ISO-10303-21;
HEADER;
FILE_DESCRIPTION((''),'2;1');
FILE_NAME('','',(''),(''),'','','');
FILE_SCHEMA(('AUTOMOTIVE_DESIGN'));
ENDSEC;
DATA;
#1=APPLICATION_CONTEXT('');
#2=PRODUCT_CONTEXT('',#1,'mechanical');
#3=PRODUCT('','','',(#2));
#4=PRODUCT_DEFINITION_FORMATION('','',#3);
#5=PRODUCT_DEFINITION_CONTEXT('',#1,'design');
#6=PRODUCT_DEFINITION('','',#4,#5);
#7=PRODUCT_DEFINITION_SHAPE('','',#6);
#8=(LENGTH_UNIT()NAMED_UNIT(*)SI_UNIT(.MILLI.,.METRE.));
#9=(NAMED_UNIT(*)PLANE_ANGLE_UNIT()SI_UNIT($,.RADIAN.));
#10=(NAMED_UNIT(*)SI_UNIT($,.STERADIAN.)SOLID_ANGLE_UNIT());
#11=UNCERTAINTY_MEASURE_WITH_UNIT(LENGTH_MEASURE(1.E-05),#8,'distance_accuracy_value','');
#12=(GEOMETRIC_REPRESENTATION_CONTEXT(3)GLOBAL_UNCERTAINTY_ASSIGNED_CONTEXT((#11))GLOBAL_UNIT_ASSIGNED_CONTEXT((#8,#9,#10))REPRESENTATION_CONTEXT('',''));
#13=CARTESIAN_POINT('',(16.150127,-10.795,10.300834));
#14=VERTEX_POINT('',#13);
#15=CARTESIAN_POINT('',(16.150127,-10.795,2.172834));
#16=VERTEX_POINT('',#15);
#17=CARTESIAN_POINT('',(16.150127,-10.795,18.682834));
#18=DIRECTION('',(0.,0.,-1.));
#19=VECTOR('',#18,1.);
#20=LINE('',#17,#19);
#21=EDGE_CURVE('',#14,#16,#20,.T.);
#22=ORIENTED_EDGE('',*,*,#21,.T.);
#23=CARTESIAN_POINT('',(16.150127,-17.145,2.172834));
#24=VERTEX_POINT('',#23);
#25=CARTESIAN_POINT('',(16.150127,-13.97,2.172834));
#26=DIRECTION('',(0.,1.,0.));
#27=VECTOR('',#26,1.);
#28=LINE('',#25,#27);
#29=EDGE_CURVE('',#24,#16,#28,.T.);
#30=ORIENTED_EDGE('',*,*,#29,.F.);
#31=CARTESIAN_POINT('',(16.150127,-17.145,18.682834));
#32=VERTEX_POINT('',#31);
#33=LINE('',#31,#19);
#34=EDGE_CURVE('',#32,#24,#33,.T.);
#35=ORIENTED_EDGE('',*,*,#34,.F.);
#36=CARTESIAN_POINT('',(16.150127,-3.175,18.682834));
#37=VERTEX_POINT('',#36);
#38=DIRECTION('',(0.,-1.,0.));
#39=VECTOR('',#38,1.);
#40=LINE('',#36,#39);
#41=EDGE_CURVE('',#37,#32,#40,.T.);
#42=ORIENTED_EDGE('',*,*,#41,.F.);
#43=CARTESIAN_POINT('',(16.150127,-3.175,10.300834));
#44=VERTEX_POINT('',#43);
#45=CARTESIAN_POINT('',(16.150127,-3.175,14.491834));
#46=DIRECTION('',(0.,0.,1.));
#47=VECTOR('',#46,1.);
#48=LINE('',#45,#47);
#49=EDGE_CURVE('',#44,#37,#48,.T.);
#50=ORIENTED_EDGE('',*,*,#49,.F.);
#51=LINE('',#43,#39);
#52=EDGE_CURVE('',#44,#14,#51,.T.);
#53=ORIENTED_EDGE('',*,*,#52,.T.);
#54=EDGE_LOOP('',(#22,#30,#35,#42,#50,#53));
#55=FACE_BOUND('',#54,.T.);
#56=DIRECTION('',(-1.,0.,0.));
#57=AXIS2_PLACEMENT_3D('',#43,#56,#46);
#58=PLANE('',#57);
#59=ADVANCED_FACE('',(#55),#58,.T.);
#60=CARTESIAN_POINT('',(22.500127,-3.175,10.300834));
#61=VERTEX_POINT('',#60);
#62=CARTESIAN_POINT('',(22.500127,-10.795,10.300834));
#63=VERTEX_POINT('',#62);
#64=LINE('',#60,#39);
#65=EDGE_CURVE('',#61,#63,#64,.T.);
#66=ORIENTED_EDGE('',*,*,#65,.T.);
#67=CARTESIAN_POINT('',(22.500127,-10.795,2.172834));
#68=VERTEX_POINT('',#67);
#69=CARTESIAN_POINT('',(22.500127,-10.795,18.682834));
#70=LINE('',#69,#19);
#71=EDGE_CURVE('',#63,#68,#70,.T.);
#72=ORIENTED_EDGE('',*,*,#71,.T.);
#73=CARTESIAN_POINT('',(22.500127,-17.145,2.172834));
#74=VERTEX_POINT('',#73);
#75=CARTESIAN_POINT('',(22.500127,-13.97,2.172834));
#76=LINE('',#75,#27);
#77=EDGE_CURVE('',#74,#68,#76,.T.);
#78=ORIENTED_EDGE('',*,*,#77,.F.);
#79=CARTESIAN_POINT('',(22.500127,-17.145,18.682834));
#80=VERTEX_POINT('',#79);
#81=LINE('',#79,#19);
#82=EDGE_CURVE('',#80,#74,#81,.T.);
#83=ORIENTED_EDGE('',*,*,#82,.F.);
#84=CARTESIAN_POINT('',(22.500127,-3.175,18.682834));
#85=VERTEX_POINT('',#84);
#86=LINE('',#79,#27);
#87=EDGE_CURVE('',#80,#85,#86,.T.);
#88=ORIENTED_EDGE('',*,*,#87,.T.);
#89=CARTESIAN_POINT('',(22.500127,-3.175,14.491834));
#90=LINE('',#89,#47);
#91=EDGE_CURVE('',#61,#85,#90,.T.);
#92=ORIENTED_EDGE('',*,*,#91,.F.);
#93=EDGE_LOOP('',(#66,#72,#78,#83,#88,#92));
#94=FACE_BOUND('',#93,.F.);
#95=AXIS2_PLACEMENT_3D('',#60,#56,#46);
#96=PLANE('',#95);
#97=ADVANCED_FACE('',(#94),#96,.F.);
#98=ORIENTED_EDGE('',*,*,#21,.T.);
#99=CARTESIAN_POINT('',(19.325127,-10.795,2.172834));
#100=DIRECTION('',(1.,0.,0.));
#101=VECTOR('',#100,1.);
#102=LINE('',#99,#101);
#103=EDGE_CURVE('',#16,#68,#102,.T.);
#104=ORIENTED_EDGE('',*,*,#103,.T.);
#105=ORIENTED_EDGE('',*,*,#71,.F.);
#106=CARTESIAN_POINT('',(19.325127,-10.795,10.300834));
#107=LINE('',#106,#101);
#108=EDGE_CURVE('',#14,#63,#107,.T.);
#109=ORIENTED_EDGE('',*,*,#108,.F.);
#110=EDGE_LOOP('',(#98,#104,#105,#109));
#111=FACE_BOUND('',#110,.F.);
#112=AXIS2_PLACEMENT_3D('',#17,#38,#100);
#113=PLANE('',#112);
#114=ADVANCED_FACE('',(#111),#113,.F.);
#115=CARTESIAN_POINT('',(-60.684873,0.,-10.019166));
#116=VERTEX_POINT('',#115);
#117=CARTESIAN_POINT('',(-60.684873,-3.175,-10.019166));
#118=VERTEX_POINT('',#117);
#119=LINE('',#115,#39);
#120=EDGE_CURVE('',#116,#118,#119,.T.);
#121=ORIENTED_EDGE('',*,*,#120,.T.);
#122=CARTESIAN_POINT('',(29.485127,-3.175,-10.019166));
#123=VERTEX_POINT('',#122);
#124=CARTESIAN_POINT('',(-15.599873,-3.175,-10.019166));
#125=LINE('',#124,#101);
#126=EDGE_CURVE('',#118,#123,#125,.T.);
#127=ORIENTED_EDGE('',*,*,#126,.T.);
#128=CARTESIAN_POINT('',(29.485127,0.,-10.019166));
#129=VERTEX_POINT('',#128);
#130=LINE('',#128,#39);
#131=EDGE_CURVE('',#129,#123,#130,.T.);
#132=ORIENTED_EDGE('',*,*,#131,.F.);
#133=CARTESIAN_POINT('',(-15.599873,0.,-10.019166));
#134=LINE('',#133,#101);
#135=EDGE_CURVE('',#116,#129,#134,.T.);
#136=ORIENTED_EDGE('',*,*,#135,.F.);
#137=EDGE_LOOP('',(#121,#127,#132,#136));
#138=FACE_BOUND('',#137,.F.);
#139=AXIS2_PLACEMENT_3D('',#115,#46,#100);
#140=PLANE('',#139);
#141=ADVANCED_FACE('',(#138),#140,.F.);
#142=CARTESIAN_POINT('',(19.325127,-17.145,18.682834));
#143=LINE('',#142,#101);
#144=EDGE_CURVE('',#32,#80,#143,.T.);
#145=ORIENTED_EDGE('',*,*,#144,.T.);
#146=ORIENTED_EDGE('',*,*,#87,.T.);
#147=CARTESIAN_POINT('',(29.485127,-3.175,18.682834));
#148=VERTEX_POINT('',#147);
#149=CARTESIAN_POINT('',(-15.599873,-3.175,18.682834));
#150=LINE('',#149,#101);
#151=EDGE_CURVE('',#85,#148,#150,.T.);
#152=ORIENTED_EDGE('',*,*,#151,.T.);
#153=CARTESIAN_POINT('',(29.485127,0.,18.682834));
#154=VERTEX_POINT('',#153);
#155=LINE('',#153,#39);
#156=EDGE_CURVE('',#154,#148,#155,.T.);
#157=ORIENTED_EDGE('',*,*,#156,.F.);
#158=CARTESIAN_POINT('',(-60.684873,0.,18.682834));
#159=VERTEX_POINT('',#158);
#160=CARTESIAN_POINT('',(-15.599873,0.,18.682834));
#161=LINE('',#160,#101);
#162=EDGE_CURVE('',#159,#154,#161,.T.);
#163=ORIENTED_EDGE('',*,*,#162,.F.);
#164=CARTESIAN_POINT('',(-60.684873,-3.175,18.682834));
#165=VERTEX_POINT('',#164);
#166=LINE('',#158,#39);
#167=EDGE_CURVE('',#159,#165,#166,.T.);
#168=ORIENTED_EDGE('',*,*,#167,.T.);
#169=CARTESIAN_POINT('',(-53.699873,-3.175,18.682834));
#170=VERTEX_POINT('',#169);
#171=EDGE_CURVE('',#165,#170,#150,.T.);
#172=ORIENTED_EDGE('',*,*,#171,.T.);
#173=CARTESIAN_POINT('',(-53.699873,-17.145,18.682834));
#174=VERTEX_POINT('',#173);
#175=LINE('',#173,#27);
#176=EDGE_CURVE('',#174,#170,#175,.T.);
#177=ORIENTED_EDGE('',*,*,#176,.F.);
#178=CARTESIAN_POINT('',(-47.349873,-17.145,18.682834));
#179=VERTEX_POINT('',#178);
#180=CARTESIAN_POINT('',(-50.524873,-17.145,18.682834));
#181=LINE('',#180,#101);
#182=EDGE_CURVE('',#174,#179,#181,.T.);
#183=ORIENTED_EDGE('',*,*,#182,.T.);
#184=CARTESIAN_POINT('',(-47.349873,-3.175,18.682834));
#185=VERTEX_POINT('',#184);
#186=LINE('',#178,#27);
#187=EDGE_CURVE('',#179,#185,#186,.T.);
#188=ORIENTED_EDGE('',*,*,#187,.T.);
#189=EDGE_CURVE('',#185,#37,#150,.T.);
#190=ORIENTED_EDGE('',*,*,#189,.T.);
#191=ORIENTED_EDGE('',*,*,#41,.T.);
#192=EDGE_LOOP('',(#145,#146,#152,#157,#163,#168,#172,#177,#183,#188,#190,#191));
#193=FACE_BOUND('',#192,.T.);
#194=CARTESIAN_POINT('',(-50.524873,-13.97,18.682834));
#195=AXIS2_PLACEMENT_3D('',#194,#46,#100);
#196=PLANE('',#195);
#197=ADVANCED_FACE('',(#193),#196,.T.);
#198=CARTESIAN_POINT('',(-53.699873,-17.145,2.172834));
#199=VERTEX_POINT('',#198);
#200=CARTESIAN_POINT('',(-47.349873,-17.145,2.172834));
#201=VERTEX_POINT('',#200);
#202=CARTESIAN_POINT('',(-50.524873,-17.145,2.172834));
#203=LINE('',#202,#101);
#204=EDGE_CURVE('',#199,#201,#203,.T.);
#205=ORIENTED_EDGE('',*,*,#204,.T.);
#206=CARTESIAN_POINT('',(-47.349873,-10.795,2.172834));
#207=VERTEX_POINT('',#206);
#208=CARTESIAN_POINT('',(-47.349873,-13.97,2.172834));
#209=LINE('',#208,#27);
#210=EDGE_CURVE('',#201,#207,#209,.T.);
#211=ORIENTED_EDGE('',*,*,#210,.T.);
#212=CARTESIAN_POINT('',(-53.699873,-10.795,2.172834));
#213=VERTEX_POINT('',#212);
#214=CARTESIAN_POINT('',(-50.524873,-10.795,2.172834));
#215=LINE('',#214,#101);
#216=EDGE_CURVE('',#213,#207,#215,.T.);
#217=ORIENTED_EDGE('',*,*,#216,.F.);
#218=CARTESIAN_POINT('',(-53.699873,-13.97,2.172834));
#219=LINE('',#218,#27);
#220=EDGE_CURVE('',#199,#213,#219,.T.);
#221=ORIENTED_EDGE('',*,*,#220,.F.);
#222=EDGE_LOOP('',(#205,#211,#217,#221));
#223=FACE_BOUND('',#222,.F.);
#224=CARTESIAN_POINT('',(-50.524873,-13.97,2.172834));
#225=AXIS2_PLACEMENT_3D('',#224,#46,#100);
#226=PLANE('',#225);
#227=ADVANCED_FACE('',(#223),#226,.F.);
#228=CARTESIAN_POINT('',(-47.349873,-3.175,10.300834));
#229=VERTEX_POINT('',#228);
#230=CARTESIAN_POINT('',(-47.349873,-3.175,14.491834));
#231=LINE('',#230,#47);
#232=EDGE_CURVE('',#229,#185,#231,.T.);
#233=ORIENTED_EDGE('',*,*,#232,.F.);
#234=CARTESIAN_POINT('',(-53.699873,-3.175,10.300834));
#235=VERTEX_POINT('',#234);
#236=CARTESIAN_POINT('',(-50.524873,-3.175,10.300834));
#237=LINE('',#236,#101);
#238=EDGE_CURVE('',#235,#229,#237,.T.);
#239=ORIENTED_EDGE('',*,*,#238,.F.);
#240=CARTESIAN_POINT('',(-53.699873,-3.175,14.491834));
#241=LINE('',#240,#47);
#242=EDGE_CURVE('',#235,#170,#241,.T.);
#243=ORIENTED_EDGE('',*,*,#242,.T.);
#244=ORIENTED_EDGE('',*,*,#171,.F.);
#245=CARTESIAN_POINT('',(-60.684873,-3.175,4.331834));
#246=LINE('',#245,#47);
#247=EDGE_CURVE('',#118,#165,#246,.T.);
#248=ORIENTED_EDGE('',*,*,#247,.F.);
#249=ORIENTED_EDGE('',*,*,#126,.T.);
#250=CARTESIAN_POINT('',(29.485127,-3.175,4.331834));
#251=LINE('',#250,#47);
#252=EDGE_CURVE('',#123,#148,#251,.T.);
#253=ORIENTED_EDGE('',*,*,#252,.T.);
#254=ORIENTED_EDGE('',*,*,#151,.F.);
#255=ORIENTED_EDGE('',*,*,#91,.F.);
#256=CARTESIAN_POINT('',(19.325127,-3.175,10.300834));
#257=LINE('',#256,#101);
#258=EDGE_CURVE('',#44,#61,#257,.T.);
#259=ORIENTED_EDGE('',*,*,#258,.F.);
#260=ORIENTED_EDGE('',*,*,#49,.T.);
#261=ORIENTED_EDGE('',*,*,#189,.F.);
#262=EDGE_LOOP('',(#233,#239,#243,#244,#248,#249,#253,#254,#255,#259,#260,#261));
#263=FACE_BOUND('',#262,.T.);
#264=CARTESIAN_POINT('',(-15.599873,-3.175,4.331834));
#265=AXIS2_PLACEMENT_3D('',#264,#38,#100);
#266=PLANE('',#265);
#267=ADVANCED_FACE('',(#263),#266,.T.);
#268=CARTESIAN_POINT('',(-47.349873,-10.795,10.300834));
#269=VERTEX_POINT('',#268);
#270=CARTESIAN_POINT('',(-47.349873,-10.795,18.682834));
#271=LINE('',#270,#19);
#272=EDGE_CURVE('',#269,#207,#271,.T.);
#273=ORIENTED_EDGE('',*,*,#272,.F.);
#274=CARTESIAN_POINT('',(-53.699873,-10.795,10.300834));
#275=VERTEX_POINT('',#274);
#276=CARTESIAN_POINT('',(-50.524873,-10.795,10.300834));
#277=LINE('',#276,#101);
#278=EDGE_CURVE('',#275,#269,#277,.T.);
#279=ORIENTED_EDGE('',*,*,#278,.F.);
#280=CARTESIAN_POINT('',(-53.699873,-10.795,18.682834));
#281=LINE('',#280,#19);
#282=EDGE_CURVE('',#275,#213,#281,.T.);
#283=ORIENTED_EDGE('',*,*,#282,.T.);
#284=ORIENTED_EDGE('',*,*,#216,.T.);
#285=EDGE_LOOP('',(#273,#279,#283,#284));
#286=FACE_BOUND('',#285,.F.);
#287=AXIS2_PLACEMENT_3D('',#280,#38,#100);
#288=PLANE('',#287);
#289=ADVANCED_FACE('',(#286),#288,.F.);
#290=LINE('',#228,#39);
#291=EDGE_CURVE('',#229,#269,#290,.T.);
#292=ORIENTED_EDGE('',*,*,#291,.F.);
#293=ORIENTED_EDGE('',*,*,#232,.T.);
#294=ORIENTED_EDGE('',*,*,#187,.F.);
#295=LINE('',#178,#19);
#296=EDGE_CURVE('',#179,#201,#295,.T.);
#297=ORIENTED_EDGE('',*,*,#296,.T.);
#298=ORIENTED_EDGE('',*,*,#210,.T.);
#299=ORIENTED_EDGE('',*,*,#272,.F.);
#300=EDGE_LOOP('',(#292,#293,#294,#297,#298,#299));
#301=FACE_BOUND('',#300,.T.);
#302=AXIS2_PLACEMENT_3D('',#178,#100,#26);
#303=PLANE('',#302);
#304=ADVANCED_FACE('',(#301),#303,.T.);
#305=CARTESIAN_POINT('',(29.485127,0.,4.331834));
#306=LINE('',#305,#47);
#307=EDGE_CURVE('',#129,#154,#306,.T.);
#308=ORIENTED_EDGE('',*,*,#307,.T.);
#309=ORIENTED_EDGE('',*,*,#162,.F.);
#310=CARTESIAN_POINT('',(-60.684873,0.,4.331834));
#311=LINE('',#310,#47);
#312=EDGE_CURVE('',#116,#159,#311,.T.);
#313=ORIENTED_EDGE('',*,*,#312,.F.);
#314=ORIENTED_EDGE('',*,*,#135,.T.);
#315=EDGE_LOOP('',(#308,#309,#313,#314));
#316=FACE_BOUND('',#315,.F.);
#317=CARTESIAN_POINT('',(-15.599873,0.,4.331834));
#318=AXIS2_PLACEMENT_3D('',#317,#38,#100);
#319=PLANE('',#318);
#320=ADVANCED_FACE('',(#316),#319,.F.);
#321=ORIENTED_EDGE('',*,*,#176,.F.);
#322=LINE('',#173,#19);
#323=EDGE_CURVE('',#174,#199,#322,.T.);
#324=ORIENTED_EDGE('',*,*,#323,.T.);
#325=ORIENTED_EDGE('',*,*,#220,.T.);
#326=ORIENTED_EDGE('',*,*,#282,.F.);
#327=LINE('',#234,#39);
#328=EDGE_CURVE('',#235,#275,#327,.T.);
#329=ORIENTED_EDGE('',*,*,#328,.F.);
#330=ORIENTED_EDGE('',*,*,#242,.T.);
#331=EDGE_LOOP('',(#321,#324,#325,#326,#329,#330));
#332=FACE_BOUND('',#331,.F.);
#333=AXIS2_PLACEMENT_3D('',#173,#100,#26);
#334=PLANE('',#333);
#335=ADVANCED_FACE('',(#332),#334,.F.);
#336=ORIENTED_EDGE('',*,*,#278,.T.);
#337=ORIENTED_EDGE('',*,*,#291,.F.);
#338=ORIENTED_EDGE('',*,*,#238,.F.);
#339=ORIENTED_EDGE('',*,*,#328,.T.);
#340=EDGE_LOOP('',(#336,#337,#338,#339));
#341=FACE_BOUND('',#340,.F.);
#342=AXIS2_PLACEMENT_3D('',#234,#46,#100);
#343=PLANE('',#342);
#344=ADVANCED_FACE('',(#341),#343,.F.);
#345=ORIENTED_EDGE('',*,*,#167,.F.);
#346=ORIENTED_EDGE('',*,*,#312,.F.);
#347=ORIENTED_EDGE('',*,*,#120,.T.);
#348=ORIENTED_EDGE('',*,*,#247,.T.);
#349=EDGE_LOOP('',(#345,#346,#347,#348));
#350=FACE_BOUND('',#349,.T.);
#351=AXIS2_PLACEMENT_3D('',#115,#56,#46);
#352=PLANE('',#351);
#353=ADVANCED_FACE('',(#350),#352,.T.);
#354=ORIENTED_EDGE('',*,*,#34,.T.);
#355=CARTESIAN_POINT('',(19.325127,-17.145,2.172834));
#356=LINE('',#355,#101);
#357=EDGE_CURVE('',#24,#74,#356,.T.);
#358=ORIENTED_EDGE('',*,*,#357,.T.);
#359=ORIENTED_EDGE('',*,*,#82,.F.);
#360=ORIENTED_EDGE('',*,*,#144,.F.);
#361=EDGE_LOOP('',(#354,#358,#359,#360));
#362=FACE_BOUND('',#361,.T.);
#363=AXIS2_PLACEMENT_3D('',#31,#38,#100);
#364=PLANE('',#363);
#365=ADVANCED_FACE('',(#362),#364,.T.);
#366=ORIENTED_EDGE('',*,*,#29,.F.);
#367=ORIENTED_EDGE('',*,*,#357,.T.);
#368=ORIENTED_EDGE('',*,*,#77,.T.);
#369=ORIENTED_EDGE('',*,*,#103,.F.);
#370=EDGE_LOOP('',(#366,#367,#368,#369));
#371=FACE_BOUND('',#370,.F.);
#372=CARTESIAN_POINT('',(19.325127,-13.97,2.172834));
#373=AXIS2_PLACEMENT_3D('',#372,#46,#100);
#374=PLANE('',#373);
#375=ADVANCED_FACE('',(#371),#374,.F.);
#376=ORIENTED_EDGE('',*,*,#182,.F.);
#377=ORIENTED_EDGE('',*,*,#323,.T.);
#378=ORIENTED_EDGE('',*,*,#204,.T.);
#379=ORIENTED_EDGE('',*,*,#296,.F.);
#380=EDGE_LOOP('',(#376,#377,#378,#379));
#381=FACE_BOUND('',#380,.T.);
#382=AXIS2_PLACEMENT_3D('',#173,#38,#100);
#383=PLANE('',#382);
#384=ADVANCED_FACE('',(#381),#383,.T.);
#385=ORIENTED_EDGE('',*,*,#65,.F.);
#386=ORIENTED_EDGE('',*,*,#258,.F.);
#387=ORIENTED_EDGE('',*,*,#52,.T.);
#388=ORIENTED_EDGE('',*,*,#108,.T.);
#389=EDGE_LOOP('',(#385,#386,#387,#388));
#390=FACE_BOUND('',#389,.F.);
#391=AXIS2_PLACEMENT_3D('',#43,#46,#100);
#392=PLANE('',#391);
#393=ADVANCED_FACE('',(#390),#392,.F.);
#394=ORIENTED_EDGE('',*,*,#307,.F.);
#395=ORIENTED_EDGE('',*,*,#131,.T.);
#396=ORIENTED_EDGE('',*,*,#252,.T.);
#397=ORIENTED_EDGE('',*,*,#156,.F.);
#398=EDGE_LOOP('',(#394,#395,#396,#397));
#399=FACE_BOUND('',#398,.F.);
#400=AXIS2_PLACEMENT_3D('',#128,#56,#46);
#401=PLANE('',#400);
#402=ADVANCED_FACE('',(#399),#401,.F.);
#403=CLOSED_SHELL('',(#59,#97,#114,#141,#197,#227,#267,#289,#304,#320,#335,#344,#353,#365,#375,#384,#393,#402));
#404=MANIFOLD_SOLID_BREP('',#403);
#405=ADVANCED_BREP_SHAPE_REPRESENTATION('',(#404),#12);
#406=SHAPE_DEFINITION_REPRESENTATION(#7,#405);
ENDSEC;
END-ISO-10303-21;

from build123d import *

# Parameters (mm, degrees)
F0_W     = 90.17
F0_H     = 28.702
F1_DEPTH = 3.175
F2_W     = 6.35
F2_H     = 8.382
F3_DEPTH = 7.62
F4_W     = 6.35
F4_H     = 6.35
F5_DEPTH = 16.51


with BuildPart() as f1:
    # F0 (on Front) → F1 (new body)
    with BuildSketch(Plane.XZ):
        with Locations((-15.599873, 4.331834)):
            Rectangle(F0_W, F0_H)
    extrude(amount=F1_DEPTH)

    # F2 (on face) → F3 (join)
    with BuildSketch(Plane.XZ.offset(3.175)):
        with Locations((-50.524873, 14.491834)):
            Rectangle(F2_W, F2_H)
        with Locations((19.325127, 14.491834)):
            Rectangle(F2_W, F2_H)
    extrude(amount=F3_DEPTH)

    # F4 (on face) → F5 (join)
    with BuildSketch(Plane.XY.offset(18.682834)):
        with Locations((-50.524873, -13.97)):
            Rectangle(F4_W, F4_H)
        with Locations((19.325127, -13.97)):
            Rectangle(F4_W, F4_H)
    extrude(amount=-F5_DEPTH)


solid = f1.part
